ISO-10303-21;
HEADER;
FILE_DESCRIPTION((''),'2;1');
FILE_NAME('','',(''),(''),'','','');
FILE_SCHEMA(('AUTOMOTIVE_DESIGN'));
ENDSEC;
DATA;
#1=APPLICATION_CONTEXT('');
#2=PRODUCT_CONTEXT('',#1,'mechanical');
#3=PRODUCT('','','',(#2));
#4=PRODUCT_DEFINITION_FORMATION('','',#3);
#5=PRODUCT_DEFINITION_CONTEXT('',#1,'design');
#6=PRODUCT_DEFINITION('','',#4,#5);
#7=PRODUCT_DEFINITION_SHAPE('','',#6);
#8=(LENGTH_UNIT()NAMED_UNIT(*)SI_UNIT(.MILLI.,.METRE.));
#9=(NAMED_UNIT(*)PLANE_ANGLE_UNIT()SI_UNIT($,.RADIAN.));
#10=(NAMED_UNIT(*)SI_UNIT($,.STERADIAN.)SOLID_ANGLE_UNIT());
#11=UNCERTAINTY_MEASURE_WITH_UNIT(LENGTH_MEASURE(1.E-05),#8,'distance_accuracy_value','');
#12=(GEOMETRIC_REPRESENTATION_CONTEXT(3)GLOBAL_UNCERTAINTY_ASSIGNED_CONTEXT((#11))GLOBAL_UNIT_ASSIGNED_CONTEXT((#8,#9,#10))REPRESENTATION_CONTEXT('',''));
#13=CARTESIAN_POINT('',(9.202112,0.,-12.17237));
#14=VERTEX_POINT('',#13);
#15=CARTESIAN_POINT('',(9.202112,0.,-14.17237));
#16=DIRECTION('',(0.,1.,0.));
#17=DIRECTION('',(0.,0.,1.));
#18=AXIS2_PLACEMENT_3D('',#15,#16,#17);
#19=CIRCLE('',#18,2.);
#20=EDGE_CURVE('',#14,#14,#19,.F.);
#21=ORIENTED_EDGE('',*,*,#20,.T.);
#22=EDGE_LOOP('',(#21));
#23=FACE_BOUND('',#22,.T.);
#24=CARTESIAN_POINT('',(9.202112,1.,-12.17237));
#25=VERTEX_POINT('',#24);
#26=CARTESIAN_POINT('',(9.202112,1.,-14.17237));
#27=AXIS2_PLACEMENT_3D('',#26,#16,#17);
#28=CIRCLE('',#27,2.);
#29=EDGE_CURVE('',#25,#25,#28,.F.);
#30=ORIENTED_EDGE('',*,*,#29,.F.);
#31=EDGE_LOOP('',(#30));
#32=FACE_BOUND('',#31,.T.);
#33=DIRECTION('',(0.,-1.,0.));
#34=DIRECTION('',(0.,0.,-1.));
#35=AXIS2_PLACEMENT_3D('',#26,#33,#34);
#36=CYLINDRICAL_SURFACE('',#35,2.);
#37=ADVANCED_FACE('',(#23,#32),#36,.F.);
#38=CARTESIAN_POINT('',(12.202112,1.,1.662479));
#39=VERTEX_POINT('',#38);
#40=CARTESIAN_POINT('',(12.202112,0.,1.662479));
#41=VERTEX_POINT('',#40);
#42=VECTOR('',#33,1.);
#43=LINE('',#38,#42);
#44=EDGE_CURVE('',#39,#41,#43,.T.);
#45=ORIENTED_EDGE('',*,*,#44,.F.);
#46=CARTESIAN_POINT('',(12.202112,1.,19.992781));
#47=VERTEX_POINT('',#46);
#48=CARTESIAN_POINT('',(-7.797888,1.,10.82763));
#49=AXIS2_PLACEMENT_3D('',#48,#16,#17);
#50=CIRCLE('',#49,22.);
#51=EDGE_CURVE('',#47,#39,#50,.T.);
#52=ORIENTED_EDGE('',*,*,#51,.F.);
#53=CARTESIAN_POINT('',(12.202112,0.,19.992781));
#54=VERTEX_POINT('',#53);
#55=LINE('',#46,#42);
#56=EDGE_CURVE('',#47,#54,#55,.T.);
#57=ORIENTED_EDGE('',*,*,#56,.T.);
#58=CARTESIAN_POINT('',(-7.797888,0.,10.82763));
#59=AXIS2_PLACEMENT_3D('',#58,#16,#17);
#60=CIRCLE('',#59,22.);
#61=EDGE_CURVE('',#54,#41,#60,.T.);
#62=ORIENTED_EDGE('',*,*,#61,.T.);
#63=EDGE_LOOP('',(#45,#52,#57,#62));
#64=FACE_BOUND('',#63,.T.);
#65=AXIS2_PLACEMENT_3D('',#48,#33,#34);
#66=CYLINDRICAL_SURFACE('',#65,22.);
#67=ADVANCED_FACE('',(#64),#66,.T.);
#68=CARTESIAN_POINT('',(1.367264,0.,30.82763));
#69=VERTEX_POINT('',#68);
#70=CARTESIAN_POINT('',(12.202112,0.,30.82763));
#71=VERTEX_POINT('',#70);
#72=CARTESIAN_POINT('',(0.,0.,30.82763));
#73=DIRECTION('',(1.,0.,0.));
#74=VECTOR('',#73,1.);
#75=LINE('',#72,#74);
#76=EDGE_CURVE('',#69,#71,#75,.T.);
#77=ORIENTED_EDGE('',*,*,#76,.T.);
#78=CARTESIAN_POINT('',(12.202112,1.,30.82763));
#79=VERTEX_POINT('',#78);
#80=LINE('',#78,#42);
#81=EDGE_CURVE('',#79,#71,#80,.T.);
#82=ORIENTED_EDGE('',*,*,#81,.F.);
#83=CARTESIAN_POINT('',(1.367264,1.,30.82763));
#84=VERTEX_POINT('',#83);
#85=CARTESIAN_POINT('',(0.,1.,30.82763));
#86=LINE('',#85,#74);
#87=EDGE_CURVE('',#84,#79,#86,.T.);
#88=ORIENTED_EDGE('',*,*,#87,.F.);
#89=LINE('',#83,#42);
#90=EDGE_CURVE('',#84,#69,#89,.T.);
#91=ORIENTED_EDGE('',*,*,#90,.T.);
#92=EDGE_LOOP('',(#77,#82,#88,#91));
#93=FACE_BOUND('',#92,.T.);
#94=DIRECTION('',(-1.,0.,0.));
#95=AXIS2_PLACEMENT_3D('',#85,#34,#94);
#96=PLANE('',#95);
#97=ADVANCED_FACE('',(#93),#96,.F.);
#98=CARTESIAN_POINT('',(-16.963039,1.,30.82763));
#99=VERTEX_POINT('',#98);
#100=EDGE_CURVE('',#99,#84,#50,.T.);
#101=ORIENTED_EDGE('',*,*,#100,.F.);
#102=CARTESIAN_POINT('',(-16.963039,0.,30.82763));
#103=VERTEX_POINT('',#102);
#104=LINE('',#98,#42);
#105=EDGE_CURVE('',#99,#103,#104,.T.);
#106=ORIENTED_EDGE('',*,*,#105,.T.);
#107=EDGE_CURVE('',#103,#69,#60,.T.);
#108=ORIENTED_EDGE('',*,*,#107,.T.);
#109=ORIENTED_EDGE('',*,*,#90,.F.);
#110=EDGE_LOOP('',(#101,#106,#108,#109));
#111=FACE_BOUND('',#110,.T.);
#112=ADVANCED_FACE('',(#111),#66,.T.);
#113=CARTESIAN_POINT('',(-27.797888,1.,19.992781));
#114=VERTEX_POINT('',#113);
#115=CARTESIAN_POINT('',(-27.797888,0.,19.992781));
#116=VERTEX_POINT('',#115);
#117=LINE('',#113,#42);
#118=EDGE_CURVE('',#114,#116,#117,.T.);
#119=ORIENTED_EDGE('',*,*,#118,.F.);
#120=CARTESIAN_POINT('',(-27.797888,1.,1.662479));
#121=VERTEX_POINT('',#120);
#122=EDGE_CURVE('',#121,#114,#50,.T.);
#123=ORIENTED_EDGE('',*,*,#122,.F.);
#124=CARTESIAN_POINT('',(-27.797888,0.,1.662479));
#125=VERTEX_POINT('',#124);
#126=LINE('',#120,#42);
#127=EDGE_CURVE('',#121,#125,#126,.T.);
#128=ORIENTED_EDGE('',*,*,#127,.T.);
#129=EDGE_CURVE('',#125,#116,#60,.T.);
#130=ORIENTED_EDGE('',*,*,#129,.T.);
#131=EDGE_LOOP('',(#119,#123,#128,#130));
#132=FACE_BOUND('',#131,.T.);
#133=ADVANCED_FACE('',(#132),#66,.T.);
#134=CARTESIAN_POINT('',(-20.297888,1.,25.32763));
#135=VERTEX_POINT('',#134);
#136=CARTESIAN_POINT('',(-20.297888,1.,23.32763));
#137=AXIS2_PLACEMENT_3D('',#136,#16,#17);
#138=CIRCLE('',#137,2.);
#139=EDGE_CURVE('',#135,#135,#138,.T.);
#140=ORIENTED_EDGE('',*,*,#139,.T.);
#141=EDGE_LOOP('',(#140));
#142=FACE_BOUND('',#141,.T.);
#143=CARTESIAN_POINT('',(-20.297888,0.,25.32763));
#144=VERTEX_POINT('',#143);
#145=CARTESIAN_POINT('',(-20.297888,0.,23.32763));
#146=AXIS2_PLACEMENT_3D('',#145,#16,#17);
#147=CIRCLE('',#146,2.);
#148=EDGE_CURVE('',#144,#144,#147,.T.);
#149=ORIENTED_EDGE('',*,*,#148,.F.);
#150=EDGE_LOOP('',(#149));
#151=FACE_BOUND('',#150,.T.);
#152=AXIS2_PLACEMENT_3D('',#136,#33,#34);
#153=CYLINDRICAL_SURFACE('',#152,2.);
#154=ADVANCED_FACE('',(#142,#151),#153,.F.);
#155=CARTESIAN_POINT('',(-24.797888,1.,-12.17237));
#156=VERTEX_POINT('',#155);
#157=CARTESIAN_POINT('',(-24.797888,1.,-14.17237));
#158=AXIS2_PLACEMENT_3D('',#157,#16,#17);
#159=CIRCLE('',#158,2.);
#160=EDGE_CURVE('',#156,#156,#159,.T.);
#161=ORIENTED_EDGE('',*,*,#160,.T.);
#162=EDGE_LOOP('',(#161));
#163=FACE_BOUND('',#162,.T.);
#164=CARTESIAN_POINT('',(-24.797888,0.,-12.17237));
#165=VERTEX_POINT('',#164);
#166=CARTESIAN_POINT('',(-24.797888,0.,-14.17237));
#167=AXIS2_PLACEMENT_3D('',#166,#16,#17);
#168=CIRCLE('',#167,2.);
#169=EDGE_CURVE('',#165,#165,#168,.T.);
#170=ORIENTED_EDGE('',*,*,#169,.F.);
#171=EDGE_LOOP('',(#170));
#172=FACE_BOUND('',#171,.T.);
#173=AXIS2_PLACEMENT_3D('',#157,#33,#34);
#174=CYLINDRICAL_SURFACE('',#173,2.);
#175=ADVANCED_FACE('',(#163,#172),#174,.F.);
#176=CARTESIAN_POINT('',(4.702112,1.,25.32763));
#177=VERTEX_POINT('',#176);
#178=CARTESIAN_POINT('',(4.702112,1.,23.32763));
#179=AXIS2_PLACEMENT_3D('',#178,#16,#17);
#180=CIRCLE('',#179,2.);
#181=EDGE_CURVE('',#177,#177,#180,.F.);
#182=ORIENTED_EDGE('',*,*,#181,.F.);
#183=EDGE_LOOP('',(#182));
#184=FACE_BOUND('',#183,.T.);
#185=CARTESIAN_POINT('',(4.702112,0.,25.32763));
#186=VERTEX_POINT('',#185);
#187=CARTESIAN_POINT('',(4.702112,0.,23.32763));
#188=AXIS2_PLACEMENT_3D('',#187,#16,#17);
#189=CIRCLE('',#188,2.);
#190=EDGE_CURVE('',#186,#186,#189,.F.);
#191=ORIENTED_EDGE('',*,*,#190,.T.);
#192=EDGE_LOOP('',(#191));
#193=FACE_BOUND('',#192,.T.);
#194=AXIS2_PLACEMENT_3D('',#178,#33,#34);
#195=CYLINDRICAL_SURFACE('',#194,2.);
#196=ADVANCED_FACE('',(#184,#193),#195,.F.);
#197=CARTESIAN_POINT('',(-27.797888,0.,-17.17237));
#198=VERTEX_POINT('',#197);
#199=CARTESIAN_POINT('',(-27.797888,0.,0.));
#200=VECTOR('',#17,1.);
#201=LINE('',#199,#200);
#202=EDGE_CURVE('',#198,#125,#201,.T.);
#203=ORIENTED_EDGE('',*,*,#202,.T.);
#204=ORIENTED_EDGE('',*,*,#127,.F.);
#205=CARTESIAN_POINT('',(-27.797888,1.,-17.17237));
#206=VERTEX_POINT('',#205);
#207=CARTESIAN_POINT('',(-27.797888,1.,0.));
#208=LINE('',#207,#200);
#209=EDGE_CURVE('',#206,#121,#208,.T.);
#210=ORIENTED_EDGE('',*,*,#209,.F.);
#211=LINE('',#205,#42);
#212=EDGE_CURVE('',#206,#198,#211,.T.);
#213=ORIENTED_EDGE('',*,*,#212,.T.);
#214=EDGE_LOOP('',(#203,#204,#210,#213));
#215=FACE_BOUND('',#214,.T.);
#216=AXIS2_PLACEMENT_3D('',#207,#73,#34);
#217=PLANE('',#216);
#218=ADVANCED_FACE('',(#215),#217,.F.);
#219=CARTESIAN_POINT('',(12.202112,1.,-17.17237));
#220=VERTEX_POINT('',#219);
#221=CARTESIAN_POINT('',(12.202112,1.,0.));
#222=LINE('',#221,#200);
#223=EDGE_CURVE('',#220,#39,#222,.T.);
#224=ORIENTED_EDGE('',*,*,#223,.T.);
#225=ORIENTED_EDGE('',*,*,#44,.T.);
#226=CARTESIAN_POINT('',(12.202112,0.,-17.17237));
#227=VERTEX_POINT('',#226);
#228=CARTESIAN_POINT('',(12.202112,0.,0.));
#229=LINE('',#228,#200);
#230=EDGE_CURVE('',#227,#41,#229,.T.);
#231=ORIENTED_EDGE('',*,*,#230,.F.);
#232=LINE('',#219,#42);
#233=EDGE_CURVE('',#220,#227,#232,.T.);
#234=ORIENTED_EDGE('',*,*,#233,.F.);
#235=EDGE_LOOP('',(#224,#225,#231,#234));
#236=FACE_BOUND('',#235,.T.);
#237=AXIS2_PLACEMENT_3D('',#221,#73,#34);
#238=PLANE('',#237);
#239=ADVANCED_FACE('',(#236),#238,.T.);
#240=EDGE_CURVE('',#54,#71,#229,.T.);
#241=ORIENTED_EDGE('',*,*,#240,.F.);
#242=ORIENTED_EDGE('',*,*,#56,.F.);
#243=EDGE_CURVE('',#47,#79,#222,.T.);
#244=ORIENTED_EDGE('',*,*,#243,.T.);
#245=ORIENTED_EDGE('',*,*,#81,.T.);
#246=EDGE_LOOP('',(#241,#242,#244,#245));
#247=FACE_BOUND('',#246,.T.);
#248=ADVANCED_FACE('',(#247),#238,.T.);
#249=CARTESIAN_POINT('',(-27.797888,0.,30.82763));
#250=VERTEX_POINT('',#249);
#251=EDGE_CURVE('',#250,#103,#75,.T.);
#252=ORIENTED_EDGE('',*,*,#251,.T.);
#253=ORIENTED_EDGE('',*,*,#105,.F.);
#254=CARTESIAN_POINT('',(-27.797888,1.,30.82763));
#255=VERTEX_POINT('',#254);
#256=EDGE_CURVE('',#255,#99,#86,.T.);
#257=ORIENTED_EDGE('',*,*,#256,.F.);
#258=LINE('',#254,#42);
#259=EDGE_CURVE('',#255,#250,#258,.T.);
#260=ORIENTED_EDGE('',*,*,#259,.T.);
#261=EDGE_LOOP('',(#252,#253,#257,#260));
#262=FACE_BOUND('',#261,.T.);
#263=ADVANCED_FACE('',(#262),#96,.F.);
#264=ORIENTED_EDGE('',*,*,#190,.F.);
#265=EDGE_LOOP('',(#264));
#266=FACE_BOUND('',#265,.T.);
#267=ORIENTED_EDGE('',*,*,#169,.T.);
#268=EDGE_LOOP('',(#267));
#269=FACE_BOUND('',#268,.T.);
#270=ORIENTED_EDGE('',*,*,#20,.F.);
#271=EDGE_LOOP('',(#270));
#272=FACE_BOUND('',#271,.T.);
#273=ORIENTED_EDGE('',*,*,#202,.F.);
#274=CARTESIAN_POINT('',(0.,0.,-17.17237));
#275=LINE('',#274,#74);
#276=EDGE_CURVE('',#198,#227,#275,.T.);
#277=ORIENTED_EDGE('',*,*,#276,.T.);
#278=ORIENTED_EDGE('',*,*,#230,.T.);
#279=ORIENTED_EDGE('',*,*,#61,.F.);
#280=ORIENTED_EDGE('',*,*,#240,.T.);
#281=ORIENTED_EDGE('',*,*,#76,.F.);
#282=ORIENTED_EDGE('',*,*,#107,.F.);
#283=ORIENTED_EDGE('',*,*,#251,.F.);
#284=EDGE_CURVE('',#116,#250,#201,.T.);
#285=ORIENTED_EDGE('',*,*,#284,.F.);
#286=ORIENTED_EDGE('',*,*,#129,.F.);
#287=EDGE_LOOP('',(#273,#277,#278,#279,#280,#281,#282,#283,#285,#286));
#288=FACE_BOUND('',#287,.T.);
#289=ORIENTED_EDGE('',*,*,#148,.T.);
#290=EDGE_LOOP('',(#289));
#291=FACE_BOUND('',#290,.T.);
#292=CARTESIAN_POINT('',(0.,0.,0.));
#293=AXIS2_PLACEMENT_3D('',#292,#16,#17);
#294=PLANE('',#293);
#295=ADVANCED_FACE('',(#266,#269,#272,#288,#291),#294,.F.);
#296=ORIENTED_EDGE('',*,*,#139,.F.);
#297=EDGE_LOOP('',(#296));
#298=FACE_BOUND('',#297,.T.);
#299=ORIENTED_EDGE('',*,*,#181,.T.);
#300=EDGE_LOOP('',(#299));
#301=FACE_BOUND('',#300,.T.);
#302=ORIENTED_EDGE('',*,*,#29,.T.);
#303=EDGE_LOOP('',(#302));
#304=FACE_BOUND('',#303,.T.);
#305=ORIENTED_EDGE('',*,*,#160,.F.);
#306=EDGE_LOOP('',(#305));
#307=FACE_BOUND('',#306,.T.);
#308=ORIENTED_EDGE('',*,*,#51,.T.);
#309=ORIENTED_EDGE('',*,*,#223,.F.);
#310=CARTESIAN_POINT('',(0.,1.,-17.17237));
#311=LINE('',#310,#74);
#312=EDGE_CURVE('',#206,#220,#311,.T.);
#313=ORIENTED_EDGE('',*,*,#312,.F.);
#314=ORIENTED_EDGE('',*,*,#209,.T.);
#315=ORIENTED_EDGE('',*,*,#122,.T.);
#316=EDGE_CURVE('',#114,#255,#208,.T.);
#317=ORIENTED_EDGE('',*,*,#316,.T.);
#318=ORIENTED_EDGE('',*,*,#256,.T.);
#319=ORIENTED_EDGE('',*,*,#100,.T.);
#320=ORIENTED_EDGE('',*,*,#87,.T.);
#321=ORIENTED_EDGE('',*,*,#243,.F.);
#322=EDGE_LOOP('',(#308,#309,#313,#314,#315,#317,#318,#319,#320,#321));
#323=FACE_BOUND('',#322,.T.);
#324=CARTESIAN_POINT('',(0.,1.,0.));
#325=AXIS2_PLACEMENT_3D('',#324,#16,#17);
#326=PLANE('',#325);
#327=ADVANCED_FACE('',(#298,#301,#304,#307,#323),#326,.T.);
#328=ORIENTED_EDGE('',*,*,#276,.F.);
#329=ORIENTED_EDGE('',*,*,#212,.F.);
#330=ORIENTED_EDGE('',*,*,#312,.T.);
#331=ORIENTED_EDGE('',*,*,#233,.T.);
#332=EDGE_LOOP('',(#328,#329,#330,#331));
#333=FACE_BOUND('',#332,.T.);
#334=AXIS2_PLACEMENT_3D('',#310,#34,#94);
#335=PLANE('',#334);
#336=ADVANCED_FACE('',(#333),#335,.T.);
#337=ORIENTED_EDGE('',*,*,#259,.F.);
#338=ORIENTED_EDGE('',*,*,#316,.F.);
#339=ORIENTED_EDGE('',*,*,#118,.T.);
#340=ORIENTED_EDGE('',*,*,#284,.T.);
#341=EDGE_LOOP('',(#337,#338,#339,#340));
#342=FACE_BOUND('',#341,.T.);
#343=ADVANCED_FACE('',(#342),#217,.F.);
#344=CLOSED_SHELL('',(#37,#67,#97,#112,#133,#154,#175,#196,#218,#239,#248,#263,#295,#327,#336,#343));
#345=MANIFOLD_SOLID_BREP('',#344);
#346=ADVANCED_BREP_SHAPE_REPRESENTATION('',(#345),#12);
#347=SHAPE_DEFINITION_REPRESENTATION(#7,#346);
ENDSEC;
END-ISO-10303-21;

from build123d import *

# Parameters (mm, degrees)
SKETCH1_R           = 2
BOSS_EXTRUDE1_DEPTH = 1


with BuildPart() as part:
    # Sketch1 → Boss-Extrude1 (new body)
    with BuildSketch(Plane(origin=(0, 0, 0), x_dir=(1, 0, 0), z_dir=(0, 1, 0))):
        with BuildLine():
            Line((12.20211229, -1.662478542), (12.20211229, 17.172370068))
            Line((12.20211229, 17.172370068), (-27.79788771, 17.172370068))
            Line((-27.79788771, 17.172370068), (-27.79788771, -1.662478542))
            ThreePointArc((-27.79788771, -1.662478542), (-29.79788771, -10.827629932), (-27.79788771, -19.992781322))
            Line((-27.79788771, -19.992781322), (-27.79788771, -30.827629932))
            Line((-27.79788771, -30.827629932), (-16.9630391, -30.827629932))
            ThreePointArc((-16.9630391, -30.827629932), (-7.79788771, -32.827629932), (1.36726368, -30.827629932))
            Line((1.36726368, -30.827629932), (12.20211229, -30.827629932))
            Line((12.20211229, -30.827629932), (12.20211229, -19.992781322))
            ThreePointArc((12.20211229, -19.992781322), (14.20211229, -10.827629932), (12.20211229, -1.662478542))
        make_face()
        with Locations((-20.29788771, -23.327629932)):
            Circle(SKETCH1_R, mode=Mode.SUBTRACT)
        with Locations((4.70211229, -23.327629932)):
            Circle(SKETCH1_R, mode=Mode.SUBTRACT)
        with Locations((-24.79788771, 14.172370068)):
            Circle(SKETCH1_R, mode=Mode.SUBTRACT)
        with Locations((9.20211229, 14.172370068)):
            Circle(SKETCH1_R, mode=Mode.SUBTRACT)
    extrude(amount=BOSS_EXTRUDE1_DEPTH)


solid = part.part
